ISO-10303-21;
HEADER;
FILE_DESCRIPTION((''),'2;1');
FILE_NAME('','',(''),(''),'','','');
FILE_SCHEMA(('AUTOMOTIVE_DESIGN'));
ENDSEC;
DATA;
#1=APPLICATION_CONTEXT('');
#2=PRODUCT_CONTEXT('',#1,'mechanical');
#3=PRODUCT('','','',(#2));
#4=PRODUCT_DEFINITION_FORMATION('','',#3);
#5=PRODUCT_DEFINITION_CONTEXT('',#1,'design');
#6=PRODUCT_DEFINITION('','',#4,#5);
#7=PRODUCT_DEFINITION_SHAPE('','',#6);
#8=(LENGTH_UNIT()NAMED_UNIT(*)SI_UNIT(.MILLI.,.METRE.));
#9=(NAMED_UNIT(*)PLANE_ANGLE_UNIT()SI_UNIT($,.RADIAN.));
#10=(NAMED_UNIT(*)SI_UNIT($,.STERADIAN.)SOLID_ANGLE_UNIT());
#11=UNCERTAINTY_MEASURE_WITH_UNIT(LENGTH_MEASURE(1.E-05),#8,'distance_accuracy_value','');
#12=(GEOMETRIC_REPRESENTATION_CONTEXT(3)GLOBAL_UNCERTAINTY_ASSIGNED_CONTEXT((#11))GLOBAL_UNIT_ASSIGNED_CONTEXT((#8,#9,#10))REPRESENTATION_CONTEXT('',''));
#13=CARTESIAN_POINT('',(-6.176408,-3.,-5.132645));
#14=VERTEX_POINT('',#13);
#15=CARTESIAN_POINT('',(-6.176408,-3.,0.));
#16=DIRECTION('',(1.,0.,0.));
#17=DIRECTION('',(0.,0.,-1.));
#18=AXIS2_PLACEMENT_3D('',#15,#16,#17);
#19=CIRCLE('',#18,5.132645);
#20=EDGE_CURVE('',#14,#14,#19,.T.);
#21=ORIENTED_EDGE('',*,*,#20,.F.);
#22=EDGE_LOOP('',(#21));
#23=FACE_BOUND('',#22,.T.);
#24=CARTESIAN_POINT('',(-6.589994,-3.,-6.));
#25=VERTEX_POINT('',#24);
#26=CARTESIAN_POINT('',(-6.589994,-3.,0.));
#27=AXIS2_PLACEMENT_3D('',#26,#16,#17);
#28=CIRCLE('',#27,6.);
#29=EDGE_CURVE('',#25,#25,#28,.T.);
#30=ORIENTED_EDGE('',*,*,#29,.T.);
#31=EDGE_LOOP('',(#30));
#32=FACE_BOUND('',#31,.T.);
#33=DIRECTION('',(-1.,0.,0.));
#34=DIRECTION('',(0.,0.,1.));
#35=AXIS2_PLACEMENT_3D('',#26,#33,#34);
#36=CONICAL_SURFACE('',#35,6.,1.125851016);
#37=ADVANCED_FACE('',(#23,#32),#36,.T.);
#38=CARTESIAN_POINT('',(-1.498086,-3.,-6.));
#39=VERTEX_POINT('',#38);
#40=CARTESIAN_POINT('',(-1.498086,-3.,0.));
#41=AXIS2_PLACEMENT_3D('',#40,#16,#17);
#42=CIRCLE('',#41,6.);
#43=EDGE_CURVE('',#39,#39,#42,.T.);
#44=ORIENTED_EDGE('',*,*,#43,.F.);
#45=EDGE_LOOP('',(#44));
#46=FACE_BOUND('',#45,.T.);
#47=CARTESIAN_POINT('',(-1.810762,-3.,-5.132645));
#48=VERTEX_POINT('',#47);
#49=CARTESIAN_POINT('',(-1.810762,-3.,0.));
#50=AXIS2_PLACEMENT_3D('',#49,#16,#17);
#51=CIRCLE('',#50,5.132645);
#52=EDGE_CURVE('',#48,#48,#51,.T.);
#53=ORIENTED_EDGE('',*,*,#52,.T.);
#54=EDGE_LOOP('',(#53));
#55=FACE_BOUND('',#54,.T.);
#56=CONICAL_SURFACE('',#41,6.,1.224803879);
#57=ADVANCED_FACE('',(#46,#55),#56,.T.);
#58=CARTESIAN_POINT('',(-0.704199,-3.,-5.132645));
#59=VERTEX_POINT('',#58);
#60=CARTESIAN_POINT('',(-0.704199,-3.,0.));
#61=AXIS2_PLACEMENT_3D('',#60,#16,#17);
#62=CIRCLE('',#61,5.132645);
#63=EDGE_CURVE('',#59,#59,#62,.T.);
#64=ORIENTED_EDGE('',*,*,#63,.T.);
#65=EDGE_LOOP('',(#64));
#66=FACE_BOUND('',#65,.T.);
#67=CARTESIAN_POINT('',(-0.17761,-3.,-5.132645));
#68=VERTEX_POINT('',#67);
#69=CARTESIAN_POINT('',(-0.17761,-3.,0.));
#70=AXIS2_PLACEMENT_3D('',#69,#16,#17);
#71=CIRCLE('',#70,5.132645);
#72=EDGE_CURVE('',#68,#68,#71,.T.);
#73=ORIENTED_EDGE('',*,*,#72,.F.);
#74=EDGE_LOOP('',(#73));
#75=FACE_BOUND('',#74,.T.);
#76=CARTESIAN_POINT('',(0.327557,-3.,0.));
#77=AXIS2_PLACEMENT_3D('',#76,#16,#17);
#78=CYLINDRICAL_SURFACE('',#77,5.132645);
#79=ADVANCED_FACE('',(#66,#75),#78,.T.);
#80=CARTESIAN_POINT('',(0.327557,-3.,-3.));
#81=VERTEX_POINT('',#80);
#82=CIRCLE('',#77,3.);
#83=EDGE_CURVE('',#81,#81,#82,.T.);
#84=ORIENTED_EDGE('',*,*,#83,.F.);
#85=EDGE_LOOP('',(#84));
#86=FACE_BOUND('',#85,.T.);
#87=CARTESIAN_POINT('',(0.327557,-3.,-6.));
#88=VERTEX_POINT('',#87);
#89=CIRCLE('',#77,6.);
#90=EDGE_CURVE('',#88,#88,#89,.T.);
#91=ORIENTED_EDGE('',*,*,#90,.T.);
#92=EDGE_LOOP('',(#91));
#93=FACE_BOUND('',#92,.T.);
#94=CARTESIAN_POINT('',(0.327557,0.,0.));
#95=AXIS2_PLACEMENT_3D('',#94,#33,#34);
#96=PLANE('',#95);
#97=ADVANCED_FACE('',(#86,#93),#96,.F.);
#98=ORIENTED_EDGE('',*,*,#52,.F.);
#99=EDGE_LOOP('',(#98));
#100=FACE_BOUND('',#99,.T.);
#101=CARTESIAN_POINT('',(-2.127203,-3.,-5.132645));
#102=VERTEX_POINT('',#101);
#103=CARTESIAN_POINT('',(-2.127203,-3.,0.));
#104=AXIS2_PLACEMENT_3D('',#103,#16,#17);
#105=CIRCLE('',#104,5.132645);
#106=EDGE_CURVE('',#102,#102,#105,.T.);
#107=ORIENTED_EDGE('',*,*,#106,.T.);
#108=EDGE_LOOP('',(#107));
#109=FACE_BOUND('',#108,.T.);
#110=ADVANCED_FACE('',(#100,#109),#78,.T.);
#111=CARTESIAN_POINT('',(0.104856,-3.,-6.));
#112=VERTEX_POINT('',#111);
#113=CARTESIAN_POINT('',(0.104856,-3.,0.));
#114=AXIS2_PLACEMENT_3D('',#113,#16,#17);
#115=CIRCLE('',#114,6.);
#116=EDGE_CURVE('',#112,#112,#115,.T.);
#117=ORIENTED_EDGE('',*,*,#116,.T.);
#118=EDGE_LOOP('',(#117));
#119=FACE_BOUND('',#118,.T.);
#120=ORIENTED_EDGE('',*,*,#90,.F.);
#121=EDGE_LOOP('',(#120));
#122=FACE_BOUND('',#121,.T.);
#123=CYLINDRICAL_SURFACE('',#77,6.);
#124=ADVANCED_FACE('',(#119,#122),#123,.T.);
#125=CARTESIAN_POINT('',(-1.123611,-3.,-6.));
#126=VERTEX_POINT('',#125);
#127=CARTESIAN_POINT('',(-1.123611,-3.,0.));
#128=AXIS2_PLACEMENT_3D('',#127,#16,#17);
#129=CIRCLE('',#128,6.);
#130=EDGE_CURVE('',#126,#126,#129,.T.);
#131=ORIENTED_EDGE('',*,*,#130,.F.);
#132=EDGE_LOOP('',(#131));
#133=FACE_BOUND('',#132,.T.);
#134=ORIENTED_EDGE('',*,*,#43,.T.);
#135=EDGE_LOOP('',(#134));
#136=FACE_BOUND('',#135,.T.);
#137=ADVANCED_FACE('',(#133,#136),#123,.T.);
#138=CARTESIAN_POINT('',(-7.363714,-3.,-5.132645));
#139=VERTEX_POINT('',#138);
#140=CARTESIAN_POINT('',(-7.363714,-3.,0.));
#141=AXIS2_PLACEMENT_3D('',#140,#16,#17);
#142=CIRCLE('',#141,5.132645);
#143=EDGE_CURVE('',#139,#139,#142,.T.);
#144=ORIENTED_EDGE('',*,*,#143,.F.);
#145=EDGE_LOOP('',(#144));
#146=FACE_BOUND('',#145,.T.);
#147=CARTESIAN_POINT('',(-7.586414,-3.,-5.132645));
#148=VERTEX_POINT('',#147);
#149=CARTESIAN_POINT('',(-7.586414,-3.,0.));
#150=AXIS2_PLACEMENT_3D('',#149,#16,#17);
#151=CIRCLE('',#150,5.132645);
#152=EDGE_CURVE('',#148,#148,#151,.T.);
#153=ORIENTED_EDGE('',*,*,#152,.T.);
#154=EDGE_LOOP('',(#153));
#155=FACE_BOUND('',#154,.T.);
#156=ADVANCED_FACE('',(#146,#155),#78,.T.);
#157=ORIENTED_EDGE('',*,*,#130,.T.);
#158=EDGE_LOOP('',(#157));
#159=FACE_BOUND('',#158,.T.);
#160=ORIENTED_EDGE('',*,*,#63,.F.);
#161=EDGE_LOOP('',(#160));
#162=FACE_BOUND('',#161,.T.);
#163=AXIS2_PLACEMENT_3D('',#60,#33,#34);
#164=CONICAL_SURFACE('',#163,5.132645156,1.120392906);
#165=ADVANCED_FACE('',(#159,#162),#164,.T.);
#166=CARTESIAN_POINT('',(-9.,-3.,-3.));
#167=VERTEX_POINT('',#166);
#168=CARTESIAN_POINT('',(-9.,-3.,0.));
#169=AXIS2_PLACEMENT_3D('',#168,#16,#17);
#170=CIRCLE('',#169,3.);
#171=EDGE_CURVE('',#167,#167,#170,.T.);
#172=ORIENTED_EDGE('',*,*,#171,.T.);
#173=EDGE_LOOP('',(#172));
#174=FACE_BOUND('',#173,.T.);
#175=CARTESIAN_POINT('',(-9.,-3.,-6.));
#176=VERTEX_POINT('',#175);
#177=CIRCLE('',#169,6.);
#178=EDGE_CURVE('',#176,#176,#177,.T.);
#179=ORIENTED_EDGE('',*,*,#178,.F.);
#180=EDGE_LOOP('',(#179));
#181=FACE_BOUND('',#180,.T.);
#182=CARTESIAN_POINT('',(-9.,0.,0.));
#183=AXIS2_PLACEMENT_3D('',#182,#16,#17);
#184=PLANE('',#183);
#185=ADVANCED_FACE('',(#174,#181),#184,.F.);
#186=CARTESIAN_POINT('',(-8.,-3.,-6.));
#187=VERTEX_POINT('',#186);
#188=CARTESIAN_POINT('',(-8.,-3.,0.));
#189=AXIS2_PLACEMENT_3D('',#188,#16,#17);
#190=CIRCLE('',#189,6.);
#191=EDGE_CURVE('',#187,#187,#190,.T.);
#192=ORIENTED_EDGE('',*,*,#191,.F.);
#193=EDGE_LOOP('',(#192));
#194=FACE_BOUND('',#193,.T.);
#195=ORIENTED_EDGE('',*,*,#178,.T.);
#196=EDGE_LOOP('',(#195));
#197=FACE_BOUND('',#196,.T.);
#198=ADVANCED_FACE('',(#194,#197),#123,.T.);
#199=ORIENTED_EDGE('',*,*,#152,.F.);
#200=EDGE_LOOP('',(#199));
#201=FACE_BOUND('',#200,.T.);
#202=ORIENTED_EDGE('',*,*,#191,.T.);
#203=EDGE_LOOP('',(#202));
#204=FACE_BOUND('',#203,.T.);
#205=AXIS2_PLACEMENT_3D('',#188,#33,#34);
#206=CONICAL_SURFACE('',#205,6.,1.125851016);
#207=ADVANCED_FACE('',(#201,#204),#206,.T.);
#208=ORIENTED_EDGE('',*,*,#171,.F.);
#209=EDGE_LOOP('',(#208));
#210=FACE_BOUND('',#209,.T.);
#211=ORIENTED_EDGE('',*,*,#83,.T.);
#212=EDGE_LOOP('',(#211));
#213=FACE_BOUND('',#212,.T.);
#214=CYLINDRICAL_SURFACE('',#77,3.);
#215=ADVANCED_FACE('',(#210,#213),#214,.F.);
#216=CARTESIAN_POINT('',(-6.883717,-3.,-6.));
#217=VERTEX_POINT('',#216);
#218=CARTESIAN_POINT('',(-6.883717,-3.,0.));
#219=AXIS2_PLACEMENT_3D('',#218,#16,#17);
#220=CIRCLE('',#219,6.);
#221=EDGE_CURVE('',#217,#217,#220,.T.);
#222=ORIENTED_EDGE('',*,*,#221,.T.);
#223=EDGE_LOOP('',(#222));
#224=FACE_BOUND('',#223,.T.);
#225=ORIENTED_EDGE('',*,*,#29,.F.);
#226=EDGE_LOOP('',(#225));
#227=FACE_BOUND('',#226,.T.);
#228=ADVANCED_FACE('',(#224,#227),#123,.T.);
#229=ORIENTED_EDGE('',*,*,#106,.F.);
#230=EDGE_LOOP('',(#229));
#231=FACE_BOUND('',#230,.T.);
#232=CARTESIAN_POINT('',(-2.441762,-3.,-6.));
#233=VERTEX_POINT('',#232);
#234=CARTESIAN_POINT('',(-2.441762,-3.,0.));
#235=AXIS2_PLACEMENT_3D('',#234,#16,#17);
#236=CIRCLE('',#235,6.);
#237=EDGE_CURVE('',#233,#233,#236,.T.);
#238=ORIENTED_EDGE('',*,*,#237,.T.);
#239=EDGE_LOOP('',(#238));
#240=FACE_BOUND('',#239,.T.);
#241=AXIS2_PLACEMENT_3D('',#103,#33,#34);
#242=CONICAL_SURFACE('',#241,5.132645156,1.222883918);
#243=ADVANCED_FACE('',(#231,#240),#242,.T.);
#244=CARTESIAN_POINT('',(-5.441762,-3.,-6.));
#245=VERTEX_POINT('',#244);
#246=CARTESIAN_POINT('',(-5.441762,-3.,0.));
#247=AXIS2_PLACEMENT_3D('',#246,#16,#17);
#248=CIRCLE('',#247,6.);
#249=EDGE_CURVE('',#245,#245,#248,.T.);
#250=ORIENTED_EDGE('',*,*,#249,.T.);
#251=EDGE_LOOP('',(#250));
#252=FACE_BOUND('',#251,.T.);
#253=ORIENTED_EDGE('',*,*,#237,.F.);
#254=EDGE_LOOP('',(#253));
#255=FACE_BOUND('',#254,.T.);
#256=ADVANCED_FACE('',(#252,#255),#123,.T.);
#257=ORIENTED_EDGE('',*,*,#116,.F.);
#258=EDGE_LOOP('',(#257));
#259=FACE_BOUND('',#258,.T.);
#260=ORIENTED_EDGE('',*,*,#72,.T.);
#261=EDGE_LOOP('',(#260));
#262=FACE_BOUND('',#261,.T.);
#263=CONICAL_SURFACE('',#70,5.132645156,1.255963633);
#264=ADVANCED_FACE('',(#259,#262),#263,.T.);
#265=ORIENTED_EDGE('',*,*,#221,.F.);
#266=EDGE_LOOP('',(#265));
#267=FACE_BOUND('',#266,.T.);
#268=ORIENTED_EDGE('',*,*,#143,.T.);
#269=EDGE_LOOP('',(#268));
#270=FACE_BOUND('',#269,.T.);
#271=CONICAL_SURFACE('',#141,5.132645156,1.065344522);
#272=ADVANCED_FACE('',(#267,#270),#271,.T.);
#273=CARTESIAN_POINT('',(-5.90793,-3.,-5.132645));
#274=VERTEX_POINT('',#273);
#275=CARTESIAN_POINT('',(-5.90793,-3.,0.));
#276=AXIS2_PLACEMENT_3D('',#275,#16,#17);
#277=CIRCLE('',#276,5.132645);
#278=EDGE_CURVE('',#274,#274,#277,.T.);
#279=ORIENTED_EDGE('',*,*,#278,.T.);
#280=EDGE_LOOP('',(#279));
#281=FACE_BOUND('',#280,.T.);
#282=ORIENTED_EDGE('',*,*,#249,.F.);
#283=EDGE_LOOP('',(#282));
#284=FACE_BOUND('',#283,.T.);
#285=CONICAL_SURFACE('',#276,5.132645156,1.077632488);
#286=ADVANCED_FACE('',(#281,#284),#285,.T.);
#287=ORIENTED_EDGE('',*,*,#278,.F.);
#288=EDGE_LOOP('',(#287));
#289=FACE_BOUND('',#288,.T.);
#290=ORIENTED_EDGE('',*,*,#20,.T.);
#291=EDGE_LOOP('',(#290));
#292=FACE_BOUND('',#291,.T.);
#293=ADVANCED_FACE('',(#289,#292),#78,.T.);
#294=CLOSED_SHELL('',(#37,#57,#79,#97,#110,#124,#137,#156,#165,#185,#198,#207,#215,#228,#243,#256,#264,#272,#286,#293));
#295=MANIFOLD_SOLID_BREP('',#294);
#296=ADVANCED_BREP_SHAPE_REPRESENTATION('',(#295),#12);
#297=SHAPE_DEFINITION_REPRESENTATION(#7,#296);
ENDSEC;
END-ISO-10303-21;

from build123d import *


with BuildPart() as part:
    # Szkic1 → Obrót1 (revolve)
    with BuildSketch(Plane.XY, mode=Mode.PRIVATE) as obr_t1_sk:
        Polygon((-2.127203461, 2.132645156), (-2.441762305, 3), (-5.441762305, 3), (-5.907929964, 2.132645156), (-6.17640763, 2.132645156), (-6.589993676, 3), (-6.883717364, 3), (-7.363713775, 2.132645156), (-7.586413954, 2.132645156), (-8, 3), (-9, 3), (-9, 0), (0, 0), (0.327556569, 0), (0.327556569, 3), (0.104856391, 3), (-0.177610191, 2.132645156), (-0.704199164, 2.132645156), (-1.123610957, 3), (-1.498085772, 3), (-1.81076161, 2.132645156), align=None)
    revolve(obr_t1_sk.sketch.rotate(Axis((0.327556569, -3, 0), (-1, 0, 0)), 90), axis=Axis((0.327556569, -3, 0), (-1, 0, 0)))


solid = part.part
